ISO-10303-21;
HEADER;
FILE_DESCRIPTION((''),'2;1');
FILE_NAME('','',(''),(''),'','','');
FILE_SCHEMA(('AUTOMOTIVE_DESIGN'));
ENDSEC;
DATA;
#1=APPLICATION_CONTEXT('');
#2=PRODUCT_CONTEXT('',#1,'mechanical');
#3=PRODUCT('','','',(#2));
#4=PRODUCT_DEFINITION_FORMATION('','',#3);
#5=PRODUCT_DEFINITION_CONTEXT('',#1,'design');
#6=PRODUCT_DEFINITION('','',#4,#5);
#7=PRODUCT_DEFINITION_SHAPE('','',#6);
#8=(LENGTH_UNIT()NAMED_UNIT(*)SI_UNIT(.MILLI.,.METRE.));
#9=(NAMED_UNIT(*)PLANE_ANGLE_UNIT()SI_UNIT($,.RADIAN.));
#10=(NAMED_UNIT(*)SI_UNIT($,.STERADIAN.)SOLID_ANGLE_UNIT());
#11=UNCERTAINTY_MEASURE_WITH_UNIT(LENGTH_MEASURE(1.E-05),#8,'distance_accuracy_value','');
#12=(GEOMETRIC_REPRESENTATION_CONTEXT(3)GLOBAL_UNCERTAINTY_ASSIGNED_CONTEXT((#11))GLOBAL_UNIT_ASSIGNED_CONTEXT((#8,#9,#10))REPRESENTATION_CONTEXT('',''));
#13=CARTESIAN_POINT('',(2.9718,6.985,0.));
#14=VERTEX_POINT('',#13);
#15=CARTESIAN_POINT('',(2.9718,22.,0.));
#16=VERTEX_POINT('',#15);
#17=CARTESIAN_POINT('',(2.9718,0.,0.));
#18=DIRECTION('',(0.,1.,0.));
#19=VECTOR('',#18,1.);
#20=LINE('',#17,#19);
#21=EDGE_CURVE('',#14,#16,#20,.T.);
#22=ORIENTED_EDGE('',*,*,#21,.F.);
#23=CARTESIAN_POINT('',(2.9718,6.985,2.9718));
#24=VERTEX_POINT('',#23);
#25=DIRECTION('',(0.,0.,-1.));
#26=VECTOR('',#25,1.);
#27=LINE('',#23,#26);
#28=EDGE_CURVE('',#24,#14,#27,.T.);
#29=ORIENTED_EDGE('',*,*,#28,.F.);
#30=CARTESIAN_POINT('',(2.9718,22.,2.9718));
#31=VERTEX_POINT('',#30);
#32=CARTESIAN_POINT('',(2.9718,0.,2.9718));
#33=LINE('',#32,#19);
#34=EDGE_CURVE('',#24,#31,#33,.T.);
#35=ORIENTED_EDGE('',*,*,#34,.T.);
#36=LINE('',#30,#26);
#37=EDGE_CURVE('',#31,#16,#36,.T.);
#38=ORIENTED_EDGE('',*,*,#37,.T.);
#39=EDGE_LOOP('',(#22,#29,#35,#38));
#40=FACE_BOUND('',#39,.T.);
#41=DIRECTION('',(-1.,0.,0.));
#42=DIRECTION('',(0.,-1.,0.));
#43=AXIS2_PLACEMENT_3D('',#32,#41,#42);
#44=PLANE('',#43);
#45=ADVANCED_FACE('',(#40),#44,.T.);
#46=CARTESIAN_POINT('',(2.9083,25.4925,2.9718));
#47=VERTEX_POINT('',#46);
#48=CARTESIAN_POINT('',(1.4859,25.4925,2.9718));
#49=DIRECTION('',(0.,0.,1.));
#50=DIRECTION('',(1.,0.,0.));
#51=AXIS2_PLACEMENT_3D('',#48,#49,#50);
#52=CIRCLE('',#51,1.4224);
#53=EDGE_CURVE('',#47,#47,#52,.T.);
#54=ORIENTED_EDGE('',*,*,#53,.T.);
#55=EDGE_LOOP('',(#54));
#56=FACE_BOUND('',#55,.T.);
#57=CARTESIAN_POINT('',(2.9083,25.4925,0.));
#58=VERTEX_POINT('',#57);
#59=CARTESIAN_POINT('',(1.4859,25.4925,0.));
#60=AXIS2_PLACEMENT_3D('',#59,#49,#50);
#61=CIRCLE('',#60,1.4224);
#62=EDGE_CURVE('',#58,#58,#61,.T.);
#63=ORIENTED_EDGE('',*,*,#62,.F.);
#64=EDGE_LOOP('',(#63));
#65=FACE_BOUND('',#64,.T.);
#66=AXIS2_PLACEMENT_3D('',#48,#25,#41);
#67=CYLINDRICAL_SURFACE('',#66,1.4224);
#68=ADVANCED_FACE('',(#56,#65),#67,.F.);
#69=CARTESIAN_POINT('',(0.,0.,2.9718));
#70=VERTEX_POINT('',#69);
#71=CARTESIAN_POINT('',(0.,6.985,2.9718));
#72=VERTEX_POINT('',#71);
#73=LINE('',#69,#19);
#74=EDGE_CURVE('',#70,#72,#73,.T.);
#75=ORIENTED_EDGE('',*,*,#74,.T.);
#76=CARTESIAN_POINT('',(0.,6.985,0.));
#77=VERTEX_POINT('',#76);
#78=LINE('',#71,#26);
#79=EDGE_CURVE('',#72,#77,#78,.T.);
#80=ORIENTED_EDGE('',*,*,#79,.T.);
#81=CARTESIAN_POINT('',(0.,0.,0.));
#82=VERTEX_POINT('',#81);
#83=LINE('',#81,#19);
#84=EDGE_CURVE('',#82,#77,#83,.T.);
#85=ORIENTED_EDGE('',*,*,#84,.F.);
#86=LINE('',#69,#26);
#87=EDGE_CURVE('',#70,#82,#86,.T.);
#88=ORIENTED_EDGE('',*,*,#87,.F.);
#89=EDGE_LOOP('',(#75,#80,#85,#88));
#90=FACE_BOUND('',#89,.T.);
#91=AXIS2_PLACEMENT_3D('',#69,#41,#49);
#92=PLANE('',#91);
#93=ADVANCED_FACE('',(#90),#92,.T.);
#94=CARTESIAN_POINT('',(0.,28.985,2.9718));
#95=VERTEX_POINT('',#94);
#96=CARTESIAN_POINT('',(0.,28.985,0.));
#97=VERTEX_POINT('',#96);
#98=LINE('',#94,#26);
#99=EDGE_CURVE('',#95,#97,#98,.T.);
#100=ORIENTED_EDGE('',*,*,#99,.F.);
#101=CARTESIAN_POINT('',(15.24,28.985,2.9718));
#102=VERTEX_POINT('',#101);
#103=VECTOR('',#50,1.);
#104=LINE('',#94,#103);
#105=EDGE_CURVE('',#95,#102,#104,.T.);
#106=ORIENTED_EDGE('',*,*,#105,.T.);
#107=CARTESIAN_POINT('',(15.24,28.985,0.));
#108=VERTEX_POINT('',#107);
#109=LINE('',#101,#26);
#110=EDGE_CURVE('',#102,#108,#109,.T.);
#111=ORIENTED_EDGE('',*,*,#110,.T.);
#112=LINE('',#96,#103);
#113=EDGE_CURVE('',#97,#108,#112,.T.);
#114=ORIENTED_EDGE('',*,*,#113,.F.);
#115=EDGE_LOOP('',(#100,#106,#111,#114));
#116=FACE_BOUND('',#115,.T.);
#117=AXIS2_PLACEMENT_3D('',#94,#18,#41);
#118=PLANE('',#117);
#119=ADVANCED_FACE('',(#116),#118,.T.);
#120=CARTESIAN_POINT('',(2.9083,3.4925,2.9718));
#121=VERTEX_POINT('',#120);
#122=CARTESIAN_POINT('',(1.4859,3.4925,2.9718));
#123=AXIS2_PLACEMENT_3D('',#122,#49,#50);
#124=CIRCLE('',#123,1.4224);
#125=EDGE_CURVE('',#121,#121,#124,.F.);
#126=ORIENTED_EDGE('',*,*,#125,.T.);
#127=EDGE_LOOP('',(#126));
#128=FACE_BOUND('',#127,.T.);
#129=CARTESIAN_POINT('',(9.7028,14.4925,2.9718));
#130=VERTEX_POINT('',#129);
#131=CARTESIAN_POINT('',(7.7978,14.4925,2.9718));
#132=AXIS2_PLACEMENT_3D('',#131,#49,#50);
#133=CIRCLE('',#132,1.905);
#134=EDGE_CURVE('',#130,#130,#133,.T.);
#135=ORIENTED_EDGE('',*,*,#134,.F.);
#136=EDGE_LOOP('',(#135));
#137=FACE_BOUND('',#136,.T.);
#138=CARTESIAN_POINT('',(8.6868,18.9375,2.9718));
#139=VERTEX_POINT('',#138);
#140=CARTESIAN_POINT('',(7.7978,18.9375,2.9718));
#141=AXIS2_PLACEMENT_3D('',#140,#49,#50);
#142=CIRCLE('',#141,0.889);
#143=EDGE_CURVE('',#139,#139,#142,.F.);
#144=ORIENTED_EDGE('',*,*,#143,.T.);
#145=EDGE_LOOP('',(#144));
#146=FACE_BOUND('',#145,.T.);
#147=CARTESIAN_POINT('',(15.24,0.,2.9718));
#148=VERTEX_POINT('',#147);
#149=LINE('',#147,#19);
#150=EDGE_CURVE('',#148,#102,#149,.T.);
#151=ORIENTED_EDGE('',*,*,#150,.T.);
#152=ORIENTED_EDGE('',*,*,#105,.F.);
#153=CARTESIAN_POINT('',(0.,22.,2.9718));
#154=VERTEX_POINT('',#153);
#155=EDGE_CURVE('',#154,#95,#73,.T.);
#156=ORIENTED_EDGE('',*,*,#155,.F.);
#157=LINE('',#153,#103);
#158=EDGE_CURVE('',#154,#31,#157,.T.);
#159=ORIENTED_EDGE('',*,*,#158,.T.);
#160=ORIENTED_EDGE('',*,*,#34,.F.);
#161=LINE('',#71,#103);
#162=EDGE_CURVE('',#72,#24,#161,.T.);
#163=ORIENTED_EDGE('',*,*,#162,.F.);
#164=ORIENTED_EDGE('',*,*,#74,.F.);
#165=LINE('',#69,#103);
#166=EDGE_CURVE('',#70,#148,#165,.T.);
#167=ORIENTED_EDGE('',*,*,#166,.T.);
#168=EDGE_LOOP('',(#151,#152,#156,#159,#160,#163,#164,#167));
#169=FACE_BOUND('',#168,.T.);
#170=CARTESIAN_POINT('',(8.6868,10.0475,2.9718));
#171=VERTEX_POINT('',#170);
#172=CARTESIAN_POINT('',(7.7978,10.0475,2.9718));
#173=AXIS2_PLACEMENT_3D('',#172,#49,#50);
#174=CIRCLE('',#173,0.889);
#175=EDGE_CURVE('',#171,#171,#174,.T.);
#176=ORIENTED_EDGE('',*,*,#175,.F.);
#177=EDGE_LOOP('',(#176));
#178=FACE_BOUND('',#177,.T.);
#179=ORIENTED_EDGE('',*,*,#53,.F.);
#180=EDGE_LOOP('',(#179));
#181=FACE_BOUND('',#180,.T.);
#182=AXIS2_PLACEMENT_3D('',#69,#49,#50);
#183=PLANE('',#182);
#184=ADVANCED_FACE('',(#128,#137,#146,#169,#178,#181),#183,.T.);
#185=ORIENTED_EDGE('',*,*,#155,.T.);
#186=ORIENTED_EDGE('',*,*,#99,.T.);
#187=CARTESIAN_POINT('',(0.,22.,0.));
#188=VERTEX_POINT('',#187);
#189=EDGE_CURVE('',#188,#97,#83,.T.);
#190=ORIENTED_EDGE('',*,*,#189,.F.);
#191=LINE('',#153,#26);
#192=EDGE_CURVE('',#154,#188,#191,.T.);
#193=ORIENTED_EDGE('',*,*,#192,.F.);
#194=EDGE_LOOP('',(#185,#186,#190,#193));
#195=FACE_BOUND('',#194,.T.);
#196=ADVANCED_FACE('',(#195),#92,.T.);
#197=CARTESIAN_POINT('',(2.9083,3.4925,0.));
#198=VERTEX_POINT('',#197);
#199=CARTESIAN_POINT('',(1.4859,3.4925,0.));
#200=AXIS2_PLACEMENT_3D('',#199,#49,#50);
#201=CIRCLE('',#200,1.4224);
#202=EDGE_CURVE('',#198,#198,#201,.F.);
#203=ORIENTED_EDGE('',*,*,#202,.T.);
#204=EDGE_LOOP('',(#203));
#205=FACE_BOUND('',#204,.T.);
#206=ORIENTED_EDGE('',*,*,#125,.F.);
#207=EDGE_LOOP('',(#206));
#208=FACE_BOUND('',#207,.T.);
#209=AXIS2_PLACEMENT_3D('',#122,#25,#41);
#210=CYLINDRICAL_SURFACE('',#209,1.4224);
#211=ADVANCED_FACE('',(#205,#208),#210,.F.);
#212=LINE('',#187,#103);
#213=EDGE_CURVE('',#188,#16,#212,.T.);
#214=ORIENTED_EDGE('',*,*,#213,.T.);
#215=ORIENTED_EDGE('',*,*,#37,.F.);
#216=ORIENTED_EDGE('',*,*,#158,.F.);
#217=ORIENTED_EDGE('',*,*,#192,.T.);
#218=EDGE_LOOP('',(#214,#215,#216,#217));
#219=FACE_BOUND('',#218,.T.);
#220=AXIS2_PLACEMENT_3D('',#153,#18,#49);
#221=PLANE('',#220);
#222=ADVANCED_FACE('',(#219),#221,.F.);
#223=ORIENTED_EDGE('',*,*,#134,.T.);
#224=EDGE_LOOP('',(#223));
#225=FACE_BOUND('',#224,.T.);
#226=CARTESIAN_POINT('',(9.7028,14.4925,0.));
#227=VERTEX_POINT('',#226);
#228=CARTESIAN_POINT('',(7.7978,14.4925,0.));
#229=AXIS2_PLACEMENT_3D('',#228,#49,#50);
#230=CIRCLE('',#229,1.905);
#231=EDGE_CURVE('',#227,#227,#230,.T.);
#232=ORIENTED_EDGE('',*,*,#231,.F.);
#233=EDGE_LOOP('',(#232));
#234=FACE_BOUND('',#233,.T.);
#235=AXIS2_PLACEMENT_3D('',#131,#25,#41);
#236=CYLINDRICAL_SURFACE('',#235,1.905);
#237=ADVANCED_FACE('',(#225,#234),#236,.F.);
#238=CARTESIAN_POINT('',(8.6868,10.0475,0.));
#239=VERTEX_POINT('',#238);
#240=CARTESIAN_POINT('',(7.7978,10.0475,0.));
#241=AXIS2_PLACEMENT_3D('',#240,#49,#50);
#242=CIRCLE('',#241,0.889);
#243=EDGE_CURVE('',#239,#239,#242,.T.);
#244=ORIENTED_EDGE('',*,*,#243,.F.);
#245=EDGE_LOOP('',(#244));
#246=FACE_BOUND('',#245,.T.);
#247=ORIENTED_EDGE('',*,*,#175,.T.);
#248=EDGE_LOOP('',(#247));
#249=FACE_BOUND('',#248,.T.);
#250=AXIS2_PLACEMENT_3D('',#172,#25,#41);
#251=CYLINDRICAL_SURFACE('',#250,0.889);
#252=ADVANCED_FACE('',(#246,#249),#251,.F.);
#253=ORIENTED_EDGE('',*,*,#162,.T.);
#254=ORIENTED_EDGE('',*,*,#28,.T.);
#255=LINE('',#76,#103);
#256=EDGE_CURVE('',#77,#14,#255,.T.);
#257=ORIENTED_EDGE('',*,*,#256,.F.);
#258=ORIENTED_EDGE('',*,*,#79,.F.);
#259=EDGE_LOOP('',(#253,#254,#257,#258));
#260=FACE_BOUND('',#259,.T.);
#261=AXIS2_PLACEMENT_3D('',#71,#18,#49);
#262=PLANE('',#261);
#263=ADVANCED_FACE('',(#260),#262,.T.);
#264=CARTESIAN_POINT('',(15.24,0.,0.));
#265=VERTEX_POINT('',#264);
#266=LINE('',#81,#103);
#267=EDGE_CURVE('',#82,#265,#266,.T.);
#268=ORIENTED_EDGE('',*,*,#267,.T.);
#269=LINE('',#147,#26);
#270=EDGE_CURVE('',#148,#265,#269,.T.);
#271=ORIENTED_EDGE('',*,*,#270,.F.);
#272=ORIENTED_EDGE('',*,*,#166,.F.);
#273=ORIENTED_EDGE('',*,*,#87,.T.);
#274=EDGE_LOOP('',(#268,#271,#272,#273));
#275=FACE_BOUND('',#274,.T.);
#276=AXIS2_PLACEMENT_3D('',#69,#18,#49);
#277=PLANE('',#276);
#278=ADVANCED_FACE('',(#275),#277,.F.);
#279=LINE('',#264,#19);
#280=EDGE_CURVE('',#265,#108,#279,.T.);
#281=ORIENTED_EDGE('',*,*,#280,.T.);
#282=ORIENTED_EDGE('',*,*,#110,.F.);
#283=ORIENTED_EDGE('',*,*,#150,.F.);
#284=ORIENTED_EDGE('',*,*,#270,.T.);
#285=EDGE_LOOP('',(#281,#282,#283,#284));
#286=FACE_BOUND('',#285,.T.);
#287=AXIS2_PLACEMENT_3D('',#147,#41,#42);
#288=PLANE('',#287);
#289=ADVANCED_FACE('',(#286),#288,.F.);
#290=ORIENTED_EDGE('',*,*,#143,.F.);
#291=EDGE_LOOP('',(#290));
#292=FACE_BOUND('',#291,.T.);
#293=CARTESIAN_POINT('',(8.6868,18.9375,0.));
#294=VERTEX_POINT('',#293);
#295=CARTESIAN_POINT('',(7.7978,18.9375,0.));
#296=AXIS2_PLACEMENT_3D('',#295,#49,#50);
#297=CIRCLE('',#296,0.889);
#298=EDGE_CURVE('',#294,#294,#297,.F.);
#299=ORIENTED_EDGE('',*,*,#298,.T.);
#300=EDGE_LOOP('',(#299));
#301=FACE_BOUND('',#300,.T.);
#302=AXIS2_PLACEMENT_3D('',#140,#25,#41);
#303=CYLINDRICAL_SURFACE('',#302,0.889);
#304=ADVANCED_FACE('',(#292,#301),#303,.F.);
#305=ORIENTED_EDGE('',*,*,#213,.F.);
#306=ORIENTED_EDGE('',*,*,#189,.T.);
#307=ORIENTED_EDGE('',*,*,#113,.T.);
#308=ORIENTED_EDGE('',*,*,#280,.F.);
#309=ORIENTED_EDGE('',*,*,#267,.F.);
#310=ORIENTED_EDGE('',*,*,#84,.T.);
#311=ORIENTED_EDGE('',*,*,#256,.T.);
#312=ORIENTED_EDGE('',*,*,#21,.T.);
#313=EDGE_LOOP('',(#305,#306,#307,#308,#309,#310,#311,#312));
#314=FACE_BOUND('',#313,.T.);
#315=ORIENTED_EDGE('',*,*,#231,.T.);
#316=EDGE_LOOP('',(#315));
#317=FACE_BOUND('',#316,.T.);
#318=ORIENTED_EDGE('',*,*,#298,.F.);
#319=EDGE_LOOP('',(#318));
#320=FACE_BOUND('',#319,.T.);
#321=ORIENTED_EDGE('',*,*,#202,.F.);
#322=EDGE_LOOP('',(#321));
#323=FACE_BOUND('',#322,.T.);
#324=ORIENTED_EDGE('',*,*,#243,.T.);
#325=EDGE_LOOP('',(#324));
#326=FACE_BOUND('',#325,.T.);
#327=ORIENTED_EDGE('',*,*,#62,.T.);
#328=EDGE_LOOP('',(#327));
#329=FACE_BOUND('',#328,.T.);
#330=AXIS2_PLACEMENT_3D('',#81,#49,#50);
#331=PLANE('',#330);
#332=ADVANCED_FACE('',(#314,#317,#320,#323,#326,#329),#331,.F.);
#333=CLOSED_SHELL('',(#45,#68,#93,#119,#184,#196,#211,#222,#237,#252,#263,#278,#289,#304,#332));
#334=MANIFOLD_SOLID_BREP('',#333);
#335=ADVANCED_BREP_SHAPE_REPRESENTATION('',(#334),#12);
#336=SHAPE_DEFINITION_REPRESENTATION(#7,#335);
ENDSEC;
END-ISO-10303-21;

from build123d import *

# Parameters (mm, degrees)
SKETCH2_R           = 1.4224
SKETCH2_R_2         = 0.889
SKETCH2_R_3         = 1.905
BOSS_EXTRUDE1_DEPTH = 2.9718


with BuildPart() as part:
    # Sketch2 → Boss-Extrude1 (new body)
    with BuildSketch(Plane.XY):
        Polygon((0, 6.985), (0, 0), (15.24, 0), (15.24, 28.985), (0, 28.985), (0, 22), (2.9718, 22), (2.9718, 6.985), align=None)
        with Locations((1.4859, 3.4925)):
            Circle(SKETCH2_R, mode=Mode.SUBTRACT)
        with Locations((7.7978, 10.0475)):
            Circle(SKETCH2_R_2, mode=Mode.SUBTRACT)
        with Locations((7.7978, 14.4925)):
            Circle(SKETCH2_R_3, mode=Mode.SUBTRACT)
        with Locations((1.4859, 25.4925)):
            Circle(SKETCH2_R, mode=Mode.SUBTRACT)
        with Locations((7.7978, 18.9375)):
            Circle(SKETCH2_R_2, mode=Mode.SUBTRACT)
    extrude(amount=BOSS_EXTRUDE1_DEPTH)


solid = part.part
